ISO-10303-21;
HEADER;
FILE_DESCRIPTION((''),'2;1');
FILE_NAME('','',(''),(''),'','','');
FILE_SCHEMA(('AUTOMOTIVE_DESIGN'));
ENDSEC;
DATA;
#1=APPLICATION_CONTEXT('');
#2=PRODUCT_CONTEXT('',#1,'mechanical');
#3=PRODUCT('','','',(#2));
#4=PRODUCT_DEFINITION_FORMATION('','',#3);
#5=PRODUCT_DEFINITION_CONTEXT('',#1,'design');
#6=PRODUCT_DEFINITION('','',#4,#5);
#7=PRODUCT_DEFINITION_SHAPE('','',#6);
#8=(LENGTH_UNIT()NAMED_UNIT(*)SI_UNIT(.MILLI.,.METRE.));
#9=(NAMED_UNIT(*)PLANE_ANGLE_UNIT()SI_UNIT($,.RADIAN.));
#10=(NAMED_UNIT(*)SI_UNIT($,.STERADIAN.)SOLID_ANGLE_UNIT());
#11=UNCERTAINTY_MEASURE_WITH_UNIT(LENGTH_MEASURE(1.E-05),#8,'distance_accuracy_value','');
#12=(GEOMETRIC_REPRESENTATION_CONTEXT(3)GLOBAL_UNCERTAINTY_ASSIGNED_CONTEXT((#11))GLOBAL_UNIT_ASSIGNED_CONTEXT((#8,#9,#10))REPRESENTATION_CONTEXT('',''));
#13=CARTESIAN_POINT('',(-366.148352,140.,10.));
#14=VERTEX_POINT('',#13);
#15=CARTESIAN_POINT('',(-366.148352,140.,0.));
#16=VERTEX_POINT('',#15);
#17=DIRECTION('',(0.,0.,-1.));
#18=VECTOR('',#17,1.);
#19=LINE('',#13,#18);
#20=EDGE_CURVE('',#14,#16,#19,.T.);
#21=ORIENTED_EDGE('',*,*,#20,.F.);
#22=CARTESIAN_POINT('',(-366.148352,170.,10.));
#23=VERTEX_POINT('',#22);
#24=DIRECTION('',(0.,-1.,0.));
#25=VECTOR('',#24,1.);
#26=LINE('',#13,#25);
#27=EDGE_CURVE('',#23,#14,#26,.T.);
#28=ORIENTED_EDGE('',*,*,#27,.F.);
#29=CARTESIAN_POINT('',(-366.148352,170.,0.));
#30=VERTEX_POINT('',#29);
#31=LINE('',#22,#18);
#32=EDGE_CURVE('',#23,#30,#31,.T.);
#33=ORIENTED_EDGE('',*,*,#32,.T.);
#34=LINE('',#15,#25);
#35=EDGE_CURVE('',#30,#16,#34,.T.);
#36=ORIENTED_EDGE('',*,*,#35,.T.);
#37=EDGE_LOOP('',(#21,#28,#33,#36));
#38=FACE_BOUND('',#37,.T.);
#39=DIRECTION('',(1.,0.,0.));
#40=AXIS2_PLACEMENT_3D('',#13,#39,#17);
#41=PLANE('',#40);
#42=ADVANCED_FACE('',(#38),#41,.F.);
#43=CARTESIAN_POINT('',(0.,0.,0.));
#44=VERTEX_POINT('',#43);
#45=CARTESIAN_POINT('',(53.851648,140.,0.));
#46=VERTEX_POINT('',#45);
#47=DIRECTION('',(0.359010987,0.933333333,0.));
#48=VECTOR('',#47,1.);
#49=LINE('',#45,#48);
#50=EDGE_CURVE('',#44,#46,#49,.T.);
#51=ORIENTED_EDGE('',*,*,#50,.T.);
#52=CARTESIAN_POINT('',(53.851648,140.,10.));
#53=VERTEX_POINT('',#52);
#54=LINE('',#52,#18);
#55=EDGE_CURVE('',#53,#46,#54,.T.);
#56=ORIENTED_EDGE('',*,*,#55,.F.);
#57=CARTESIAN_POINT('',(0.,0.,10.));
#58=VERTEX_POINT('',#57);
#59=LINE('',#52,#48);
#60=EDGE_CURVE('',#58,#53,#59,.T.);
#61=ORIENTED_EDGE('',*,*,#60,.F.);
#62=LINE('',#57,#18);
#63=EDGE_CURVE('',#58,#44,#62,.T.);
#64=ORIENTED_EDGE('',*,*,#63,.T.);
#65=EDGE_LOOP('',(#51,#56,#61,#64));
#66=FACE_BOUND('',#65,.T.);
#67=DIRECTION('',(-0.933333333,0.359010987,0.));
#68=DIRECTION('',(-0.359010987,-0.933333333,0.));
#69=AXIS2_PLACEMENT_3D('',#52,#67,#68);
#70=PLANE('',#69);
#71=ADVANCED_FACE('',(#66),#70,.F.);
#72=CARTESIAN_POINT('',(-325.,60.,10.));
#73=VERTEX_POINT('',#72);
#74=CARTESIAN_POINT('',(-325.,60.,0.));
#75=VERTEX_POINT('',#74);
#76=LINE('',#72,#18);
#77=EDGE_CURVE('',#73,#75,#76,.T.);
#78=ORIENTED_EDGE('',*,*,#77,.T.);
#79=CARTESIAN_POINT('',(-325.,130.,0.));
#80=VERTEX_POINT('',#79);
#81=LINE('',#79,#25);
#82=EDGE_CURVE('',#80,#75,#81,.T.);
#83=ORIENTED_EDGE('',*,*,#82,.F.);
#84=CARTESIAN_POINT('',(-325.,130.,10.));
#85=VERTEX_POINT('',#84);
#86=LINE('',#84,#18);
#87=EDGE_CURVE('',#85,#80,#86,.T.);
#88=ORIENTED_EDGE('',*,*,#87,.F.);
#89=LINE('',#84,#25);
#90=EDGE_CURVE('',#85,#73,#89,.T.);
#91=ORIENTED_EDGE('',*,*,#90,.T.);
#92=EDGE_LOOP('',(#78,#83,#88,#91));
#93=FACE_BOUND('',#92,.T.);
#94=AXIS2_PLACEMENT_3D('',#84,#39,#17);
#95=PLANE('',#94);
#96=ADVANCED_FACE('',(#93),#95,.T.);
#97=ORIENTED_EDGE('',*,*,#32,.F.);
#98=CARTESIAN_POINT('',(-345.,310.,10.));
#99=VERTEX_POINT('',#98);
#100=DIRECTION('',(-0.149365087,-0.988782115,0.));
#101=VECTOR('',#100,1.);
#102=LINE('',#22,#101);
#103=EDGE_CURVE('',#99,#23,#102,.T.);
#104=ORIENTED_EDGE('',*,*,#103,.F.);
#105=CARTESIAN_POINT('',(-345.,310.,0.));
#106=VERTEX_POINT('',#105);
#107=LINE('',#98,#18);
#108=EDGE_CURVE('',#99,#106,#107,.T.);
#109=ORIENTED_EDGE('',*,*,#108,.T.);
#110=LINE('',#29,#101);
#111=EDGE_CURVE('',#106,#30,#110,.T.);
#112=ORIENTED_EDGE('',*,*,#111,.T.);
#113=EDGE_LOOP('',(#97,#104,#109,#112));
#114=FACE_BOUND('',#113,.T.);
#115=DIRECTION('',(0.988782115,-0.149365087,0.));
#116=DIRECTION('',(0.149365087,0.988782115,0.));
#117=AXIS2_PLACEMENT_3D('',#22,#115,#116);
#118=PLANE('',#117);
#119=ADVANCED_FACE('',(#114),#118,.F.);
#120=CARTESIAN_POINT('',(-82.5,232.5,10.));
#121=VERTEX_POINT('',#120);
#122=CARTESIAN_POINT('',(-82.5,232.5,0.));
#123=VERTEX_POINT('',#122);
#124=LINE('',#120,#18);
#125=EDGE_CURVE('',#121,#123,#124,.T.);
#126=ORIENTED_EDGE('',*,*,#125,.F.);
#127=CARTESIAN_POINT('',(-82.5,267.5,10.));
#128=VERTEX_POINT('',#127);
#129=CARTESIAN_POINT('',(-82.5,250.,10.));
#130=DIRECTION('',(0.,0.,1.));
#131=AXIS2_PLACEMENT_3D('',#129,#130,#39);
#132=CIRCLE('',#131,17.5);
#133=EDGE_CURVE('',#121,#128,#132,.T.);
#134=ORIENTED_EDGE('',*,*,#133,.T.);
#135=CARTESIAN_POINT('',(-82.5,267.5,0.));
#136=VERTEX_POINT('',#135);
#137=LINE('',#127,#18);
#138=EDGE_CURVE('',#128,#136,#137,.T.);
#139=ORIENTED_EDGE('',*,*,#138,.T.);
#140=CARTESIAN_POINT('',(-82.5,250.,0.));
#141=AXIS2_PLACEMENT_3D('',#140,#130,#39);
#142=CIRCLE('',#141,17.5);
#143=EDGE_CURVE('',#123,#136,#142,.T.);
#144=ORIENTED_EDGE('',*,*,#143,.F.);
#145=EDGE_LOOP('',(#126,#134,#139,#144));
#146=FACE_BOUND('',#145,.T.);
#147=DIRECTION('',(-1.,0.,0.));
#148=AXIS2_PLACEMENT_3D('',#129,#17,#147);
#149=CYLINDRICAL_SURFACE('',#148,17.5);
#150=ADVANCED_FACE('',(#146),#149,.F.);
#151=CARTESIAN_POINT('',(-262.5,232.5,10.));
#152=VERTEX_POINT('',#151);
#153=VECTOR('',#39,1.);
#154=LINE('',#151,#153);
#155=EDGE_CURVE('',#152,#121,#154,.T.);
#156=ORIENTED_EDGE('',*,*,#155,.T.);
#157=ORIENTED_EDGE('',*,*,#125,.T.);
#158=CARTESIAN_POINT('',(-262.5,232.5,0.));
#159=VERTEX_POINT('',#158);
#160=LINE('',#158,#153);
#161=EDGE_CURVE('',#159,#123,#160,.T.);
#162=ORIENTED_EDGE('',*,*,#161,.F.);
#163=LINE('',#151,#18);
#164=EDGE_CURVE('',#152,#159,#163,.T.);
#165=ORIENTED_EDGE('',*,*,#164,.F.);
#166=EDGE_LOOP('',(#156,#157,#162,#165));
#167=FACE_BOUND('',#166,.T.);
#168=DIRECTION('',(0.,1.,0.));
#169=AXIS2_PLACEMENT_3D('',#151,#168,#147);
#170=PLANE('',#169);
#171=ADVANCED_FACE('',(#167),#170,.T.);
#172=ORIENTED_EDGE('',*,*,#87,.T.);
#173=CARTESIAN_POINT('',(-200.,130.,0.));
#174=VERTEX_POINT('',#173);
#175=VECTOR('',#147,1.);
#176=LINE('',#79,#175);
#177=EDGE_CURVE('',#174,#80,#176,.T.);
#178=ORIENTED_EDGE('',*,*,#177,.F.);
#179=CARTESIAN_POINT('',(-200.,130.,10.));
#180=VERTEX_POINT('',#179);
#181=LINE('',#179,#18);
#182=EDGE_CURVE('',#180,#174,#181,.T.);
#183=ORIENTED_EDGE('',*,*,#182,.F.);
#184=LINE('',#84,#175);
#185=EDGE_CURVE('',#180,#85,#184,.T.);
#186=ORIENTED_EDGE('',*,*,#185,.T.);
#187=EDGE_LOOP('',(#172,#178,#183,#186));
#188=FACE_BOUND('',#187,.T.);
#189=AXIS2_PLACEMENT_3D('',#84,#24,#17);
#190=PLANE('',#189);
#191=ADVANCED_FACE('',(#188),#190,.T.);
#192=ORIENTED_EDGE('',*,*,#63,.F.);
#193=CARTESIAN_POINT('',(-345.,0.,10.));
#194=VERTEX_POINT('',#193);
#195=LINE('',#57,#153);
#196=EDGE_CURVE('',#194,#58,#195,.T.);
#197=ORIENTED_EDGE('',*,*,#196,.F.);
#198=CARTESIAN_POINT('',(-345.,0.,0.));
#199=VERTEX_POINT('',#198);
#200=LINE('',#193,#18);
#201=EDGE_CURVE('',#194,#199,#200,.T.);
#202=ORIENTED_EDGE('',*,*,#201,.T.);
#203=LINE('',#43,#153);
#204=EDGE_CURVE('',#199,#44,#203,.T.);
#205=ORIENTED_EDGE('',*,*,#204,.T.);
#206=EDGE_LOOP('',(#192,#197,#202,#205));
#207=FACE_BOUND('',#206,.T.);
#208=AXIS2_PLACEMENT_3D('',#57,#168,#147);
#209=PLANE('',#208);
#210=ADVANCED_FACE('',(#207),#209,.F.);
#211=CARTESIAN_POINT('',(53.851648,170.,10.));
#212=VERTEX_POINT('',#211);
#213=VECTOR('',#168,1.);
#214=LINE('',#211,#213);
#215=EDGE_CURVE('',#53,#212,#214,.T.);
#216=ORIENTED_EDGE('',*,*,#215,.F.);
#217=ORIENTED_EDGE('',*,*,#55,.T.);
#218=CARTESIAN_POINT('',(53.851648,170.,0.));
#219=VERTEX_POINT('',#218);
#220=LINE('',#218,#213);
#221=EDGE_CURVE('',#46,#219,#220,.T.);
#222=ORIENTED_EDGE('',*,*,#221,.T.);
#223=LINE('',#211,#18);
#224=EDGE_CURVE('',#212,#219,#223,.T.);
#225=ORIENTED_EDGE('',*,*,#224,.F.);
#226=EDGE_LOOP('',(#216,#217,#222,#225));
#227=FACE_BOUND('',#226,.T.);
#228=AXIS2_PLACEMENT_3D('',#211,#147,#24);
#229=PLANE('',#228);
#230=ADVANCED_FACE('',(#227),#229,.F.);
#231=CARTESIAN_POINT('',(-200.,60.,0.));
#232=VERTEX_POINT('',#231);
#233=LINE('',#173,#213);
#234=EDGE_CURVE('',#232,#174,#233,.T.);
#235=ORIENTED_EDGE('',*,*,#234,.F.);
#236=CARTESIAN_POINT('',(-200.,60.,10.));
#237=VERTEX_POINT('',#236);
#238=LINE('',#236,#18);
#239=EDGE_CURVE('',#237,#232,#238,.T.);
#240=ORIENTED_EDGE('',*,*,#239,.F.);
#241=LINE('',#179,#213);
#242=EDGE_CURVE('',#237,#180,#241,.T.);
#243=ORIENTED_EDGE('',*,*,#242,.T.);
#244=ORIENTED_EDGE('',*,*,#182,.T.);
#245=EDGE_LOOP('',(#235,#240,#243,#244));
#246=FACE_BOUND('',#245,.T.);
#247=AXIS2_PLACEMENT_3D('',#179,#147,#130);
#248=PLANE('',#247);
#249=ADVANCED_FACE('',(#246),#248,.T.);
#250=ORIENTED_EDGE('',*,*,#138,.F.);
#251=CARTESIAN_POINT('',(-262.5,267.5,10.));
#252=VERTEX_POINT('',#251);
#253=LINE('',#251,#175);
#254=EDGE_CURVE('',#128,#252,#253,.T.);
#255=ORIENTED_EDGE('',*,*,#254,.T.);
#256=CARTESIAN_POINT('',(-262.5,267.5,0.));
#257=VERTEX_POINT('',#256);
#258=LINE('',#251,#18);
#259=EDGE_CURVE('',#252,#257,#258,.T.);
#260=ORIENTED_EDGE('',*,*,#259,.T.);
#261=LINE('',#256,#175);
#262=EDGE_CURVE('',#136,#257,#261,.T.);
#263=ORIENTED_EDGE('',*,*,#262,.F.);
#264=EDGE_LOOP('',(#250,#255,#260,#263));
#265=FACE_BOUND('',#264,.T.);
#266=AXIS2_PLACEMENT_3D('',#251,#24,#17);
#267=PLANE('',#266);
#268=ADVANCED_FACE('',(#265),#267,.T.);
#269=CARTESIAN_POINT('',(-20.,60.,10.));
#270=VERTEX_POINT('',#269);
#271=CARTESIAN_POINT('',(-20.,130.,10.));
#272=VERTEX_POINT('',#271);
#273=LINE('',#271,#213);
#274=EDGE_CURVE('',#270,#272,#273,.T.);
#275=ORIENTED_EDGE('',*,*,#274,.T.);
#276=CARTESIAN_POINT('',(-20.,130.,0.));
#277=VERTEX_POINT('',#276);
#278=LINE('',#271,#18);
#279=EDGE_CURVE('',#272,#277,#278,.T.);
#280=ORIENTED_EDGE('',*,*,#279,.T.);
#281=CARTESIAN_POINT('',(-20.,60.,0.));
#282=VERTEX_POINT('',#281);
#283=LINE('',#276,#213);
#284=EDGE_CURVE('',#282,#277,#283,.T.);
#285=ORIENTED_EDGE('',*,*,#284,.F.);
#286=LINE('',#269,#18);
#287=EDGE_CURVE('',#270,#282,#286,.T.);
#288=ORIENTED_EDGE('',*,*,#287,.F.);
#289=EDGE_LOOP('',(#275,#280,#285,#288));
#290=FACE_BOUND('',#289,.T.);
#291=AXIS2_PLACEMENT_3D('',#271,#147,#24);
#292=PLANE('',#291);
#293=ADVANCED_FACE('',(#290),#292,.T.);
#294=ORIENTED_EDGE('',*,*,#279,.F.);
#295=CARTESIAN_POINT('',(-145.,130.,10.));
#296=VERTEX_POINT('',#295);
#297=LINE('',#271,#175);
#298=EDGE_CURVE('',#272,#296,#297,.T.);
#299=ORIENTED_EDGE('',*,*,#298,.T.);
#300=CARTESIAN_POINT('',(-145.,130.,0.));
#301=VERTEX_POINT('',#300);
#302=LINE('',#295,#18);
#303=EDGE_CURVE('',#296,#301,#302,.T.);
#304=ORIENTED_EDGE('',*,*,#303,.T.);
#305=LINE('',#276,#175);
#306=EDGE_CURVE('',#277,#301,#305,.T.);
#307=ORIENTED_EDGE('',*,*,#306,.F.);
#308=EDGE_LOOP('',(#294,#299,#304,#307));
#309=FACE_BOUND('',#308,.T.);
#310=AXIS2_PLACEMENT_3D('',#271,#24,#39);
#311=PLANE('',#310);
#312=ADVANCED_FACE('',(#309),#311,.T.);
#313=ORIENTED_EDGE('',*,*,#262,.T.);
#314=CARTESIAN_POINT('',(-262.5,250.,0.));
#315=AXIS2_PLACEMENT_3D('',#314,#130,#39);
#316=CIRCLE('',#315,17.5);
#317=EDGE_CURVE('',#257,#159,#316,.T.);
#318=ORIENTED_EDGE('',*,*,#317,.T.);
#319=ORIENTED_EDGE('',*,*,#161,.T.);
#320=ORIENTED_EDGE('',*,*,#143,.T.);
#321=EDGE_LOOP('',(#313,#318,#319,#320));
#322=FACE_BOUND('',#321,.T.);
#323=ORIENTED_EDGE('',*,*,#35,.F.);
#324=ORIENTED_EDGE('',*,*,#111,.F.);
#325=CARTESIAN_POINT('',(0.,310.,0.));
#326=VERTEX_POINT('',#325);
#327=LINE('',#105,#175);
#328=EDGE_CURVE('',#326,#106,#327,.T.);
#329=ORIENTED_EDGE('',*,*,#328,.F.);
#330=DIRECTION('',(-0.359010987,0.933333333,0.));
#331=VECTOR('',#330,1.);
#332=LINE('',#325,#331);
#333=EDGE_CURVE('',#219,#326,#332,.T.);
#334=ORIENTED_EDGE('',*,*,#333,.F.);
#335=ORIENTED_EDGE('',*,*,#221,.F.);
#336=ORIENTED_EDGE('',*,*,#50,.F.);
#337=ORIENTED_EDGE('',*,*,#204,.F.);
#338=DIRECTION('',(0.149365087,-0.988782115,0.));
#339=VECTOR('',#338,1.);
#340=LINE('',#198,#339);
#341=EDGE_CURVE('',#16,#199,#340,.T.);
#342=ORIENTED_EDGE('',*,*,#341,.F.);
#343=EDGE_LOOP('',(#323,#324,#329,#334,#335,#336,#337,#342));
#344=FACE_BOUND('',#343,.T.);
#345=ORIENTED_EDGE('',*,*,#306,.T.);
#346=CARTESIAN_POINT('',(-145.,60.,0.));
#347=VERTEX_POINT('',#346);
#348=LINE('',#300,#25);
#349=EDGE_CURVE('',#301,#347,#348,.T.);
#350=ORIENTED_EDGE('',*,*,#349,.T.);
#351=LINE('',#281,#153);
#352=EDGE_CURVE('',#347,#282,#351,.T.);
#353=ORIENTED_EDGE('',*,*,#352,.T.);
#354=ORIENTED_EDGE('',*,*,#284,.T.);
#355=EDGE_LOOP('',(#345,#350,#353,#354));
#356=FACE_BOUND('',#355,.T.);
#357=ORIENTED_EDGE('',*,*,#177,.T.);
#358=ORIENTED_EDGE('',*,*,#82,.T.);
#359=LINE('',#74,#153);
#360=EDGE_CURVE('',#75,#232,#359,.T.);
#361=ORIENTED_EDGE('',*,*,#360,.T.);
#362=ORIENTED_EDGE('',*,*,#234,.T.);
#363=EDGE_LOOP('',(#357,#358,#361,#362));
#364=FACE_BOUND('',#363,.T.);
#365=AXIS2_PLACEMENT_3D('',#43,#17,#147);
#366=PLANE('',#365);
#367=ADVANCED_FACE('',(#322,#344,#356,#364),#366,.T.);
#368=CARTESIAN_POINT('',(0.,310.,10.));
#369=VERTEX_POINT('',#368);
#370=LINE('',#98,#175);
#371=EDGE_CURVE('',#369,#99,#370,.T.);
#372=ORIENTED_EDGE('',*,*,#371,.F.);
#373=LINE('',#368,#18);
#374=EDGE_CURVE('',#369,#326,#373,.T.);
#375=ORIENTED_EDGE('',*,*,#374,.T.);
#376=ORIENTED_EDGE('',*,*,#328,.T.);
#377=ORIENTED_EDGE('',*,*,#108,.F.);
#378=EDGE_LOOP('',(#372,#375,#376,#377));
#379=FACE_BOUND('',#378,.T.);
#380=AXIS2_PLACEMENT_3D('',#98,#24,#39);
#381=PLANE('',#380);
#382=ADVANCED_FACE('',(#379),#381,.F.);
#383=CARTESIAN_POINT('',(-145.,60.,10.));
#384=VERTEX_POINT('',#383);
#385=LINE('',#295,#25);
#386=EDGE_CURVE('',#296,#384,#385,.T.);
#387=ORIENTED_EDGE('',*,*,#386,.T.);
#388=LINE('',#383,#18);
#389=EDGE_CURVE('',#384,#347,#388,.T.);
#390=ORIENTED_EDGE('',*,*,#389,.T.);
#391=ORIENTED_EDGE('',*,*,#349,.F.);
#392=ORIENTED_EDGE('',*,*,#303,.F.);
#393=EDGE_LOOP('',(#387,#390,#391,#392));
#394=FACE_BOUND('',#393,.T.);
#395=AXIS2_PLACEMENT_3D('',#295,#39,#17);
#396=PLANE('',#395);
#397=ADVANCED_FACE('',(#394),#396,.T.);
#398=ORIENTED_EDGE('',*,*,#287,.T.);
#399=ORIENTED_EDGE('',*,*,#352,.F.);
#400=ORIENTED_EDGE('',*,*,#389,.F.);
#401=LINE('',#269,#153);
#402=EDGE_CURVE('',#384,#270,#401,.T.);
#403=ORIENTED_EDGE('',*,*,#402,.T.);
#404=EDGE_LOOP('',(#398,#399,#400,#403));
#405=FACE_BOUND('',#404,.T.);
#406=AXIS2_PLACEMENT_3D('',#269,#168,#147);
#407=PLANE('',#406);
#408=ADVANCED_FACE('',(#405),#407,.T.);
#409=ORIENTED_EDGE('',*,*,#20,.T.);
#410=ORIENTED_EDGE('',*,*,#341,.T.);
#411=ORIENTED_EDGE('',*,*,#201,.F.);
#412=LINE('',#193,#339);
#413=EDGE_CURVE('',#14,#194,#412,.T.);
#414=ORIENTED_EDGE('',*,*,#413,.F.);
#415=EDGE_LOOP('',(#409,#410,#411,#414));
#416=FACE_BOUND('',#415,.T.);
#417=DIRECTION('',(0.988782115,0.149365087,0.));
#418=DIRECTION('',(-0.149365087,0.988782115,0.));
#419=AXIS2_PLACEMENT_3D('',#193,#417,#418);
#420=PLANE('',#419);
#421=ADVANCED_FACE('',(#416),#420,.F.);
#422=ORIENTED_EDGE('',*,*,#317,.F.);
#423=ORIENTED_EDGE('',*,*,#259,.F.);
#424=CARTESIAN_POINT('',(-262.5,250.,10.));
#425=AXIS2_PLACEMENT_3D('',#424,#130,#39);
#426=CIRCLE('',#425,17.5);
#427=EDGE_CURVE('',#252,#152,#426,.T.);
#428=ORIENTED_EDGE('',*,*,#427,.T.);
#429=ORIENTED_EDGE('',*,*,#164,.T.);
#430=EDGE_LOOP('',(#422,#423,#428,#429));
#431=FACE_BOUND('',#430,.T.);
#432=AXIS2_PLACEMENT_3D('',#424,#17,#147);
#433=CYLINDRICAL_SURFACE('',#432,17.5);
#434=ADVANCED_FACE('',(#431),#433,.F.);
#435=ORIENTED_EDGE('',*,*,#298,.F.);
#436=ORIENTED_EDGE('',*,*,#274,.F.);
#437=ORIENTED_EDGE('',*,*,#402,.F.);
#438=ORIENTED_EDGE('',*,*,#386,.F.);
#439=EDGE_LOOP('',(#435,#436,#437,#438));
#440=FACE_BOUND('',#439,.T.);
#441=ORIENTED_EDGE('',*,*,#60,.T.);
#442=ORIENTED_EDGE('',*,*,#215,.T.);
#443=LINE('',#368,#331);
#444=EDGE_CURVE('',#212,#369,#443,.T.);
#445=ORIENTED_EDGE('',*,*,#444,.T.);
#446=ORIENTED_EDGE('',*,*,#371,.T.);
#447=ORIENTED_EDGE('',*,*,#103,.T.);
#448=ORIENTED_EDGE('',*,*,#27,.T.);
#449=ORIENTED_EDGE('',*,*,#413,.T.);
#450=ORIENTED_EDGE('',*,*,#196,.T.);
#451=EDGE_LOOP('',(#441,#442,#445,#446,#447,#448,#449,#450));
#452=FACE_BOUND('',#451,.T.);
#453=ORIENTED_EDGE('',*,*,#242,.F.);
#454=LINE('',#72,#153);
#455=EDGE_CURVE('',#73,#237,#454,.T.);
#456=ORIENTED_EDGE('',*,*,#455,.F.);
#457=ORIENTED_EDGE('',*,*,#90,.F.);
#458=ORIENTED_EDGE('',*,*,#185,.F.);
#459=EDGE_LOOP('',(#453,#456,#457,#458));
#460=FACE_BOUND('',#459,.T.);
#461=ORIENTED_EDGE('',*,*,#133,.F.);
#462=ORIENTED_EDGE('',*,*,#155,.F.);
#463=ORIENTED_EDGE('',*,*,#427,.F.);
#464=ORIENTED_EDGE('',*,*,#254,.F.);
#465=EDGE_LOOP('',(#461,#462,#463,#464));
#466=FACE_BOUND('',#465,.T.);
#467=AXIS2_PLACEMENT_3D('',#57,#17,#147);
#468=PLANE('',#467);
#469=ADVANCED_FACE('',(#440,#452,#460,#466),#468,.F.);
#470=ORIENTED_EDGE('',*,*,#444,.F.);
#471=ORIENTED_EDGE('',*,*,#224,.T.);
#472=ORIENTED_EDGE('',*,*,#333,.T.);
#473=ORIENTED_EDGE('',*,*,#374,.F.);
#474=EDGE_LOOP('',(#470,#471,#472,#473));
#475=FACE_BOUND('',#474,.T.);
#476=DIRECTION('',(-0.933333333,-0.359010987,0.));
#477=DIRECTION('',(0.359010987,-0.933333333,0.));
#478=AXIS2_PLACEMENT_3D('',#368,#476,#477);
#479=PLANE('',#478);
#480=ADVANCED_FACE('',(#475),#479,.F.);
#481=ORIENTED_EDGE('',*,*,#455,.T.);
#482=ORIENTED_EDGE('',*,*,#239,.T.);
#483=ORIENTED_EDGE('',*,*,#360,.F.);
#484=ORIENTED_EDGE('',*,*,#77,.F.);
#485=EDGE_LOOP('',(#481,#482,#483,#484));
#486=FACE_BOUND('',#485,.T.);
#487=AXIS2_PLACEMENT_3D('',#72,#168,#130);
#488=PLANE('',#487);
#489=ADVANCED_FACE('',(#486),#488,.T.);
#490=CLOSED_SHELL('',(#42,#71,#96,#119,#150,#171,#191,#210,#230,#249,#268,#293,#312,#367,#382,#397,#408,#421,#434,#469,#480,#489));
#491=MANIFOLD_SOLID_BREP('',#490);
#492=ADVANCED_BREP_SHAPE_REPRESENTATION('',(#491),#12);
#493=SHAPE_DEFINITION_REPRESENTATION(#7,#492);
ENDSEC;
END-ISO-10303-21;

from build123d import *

# Parameters (mm, degrees)
SKETCH4_W           = 125
SKETCH4_H           = 70
BOSS_EXTRUDE1_DEPTH = 10


with BuildPart() as part:
    # Sketch4 → Boss-Extrude1 (new body)
    with BuildSketch(Plane.XY):
        Polygon((0, 0), (-345, 0), (-366.148351929, 140), (-366.148351929, 170), (-345, 310), (0, 310), (53.851648071, 170), (53.851648071, 140), align=None)
        with BuildLine():
            Line((-262.5, 267.5), (-82.5, 267.5))
            ThreePointArc((-82.5, 267.5), (-65, 250), (-82.5, 232.5))
            Line((-82.5, 232.5), (-262.5, 232.5))
            ThreePointArc((-262.5, 232.5), (-280, 250), (-262.5, 267.5))
        make_face(mode=Mode.SUBTRACT)
        with Locations((-262.5, 95)):
            Rectangle(SKETCH4_W, SKETCH4_H, mode=Mode.SUBTRACT)
        with Locations((-82.5, 95)):
            Rectangle(SKETCH4_W, SKETCH4_H, mode=Mode.SUBTRACT)
    extrude(amount=BOSS_EXTRUDE1_DEPTH)


solid = part.part
